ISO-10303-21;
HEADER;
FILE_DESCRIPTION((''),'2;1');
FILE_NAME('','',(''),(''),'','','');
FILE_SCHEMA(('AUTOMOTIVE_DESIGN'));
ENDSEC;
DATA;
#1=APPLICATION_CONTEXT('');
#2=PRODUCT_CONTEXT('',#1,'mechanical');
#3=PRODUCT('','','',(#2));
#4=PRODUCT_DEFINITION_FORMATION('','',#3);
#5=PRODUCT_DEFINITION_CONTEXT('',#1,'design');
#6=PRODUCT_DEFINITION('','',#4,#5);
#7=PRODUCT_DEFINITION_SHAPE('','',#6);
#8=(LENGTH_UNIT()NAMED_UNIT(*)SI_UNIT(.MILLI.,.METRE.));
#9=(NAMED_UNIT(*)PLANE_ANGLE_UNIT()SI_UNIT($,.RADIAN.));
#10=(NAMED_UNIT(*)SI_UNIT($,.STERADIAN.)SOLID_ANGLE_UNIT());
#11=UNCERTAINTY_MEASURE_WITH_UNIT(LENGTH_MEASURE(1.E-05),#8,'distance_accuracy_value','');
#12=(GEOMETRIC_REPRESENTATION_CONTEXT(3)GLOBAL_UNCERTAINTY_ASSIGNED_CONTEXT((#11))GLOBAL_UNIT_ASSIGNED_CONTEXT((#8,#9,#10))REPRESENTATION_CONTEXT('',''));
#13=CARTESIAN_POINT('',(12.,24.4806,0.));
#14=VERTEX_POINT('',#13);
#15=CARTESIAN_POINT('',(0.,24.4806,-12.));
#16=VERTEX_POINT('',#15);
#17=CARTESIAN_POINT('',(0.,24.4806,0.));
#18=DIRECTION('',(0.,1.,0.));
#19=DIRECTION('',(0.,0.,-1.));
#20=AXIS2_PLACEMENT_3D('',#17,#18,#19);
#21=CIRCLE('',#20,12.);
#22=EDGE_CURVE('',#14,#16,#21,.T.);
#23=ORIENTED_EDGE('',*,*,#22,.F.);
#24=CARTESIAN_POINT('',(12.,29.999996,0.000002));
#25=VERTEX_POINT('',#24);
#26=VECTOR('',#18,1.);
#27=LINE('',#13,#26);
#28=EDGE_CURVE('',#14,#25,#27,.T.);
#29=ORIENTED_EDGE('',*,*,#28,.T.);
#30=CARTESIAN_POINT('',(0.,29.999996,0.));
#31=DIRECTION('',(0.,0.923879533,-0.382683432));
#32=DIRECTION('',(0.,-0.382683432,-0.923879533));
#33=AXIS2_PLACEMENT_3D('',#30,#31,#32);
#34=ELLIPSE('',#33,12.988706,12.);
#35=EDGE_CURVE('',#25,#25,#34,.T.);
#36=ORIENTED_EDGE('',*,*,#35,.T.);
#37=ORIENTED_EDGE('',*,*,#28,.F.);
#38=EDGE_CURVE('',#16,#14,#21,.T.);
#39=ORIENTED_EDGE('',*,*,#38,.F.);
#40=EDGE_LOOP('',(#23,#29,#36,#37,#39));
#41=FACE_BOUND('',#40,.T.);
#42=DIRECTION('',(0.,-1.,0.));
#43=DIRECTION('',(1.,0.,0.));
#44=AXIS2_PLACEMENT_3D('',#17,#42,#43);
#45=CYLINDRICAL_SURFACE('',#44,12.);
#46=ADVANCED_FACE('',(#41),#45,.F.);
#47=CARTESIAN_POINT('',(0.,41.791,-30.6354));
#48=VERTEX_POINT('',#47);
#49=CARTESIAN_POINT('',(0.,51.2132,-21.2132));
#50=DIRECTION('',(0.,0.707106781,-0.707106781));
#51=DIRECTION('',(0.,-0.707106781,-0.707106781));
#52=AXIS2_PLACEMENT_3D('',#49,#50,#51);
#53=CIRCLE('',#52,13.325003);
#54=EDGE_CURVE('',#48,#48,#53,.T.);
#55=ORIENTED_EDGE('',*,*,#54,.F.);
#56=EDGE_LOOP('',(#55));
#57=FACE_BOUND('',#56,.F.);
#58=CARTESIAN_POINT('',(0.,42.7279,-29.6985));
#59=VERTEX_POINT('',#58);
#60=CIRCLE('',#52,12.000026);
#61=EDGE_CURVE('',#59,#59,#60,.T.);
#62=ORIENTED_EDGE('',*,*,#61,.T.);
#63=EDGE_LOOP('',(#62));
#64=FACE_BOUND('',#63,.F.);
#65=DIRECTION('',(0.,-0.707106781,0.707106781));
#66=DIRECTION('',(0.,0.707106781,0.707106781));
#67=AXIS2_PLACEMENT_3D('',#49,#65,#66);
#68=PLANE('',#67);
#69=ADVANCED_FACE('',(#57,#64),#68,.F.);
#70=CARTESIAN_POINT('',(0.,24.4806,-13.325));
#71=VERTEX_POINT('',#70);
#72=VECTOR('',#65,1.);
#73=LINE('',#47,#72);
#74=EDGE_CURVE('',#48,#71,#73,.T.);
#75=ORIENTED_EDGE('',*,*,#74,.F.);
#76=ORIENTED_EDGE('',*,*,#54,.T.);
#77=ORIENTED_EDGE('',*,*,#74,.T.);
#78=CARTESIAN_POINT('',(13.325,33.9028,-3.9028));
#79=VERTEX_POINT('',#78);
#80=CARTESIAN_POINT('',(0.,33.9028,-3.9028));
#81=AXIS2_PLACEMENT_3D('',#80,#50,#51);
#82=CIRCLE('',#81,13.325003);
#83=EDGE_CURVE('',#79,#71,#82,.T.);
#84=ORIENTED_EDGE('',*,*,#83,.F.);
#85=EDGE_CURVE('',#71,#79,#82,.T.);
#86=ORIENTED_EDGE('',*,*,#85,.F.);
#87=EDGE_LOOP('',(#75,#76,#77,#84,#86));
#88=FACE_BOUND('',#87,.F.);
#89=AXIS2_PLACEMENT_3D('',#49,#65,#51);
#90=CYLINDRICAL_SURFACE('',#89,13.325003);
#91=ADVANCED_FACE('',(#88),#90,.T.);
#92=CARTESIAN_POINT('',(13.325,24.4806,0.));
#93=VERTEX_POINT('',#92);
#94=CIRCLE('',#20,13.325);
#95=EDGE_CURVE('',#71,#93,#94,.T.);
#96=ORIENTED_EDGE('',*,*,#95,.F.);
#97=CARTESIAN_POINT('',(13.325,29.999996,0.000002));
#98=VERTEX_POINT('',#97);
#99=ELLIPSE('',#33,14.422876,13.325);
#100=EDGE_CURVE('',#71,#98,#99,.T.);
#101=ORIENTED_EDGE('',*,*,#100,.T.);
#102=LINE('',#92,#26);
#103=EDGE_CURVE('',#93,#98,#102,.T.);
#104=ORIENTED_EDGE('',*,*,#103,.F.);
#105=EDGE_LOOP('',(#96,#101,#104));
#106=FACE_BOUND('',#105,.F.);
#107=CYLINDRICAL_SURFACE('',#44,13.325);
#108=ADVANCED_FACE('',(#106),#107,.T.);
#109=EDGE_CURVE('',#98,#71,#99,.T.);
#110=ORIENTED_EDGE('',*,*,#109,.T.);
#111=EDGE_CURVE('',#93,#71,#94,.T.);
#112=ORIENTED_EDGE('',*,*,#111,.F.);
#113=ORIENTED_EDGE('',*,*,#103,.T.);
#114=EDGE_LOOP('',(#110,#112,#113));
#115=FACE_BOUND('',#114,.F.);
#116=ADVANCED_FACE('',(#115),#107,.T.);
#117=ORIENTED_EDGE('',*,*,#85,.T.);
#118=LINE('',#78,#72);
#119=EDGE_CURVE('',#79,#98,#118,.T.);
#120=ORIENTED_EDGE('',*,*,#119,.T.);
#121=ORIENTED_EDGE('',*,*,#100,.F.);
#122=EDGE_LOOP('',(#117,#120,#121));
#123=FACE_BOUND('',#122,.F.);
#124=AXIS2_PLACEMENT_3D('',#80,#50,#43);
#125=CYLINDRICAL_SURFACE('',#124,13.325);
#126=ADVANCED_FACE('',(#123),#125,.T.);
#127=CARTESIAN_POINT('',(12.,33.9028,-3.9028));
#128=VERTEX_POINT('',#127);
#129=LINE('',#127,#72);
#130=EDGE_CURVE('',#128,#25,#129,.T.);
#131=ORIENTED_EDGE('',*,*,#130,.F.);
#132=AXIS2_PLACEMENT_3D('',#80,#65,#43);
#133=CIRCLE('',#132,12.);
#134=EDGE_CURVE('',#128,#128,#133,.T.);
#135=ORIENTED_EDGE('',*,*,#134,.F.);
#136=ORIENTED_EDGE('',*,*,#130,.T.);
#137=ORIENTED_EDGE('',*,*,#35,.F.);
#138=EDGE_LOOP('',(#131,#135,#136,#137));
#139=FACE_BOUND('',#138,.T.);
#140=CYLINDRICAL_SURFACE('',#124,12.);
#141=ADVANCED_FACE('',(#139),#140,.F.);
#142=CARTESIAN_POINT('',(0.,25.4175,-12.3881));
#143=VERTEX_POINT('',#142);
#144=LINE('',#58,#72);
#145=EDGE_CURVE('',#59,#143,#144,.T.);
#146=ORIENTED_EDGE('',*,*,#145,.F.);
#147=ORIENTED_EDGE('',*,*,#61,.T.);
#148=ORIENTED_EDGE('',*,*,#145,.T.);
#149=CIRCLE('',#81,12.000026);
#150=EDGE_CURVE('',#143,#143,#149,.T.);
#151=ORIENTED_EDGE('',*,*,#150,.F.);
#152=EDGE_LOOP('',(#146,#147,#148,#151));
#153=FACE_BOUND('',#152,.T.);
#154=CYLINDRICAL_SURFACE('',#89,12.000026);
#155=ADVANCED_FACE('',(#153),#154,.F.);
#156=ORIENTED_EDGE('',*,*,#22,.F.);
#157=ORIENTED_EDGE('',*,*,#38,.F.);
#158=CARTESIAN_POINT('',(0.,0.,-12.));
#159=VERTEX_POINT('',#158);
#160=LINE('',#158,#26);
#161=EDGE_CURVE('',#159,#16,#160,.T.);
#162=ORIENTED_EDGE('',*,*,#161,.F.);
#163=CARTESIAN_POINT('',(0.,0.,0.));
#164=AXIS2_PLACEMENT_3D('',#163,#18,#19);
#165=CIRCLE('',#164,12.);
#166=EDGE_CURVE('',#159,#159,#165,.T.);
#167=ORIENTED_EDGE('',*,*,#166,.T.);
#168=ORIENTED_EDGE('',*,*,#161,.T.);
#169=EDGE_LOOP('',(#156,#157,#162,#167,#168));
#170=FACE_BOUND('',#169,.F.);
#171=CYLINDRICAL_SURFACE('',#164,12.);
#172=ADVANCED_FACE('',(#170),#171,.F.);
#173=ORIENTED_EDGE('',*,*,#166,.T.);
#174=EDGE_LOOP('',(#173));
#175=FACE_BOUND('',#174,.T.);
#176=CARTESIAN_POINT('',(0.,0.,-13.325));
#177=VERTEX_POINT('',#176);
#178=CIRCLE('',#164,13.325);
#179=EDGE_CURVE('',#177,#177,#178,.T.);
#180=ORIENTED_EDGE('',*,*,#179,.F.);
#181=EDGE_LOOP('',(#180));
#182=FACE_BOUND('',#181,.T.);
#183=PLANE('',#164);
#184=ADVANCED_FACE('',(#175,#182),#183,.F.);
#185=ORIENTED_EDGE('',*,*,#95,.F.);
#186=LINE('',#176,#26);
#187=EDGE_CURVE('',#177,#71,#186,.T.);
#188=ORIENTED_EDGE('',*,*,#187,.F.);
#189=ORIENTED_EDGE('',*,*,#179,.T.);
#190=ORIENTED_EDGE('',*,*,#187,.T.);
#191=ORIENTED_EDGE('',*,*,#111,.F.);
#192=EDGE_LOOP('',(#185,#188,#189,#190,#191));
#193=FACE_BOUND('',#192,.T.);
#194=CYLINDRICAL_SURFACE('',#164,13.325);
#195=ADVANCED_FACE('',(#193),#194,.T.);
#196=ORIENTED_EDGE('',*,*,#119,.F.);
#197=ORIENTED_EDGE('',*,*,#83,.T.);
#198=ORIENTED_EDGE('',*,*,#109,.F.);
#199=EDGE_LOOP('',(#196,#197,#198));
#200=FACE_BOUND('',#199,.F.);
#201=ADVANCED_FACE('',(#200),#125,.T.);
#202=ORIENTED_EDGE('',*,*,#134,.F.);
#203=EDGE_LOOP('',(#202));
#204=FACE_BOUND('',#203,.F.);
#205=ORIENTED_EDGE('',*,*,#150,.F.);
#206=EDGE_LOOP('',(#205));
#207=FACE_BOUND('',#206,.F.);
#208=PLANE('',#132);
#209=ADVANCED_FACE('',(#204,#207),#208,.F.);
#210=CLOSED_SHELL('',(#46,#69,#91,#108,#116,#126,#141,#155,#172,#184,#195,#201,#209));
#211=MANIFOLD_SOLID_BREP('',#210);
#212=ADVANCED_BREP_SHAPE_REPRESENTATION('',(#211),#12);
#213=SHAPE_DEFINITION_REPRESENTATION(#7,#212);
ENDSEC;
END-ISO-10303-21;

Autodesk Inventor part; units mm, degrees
ref_plane "YZ Plane" through (0, 0, 0) normal (1, 0, 0) x (0, 1, 0)
ref_plane "XZ Plane" through (0, 0, 0) normal (0, 1, 0) x (-1, 0, 0)
sketch "Boceto1" plane through (0, 0, 0) normal (1, 0, 0) x (0, 1, 0)
  line L0 (0, 0) -> (30, 0)
  line L1 (0, 0) -> (30, 0) construction
  line L2 (30, 0) -> (51.2132, -21.2132)
  line L3 (0, 0) -> (0, -12)
  line L4 (0, -12) -> (25.0294, -12)
  line L5 (51.2132, -21.2132) -> (42.7279, -29.6985)
  line L6 (42.7279, -29.6985) -> (25.0294, -12)
  line L7 (0, 0) -> (0, -13.325)
  line L8 (51.2132, -21.2132) -> (41.791, -30.6354)
  line L9 (41.791, -30.6354) -> (24.4806, -13.325)
  line L10 (0, -13.325) -> (24.4806, -13.325)
  line L11 (24.4806, -13.325) -> (24.4806, -12)
  line L12 (24.4806, -13.325) -> (25.4175, -12.3881)
  line L13 (0, 0) -> (30, 0)
  line L14 (51.2132, -21.2132) -> (30, 0)
  point P0 (0, -12)
  dimension "d0" = 30
  dimension "d1" = 0
  dimension "d2" = 30
  dimension "d3" = 135
  dimension "d4" = 12
  dimension "d5" = 12
  dimension "d6" = 13.325
  dimension "d7" = 13.325
revolve "Revolución1" add sketch "Boceto1" angle 360 about axis through (0, 0, 0) along (0, 1, 0) contours L4 L11 L10 L7
revolve "Revolución2" add sketch "Boceto1" angle 360 about axis through (0, 30, 0) along (0, 0.7071, -0.7071) contours L8 L9 L12 L6
ref_plane "Plano de trabajo1" through (0, 24.4806, -13.325) normal (0, 0.9239, -0.3827) x (-1, 0, 0)
sketch "Boceto6" plane through (0, 24.4806, 0) normal (0, 1, 0) x (1, 0, 0)
  circle A0 centre (0, 0) radius 13.325 projected
  circle A1 centre (0, 0) radius 12 projected
  point P0 (0, 13.325)
sketch "Boceto7" plane through (0, 33.9028, -3.9028) normal (0, -0.7071, 0.7071) x (1, 0, 0)
  circle A0 centre (0, 0) radius 13.325 projected
  circle A1 centre (0, 0) radius 12 projected
  point P0 (0, -21.2132)
  point P1 (0, -13.325)
extrude "Extrusión3" add sketch "Boceto6" along normal up to surface surface through (0, 24.4806, -13.325) normal (0, 0.9239, -0.3827)
extrude "Extrusión4" add sketch "Boceto7" along normal up to surface surface through (0, 24.4806, -13.325) normal (0, 0.9239, -0.3827)
fillet "Empalme1" [suppressed]
properties part number "Semicodo"
